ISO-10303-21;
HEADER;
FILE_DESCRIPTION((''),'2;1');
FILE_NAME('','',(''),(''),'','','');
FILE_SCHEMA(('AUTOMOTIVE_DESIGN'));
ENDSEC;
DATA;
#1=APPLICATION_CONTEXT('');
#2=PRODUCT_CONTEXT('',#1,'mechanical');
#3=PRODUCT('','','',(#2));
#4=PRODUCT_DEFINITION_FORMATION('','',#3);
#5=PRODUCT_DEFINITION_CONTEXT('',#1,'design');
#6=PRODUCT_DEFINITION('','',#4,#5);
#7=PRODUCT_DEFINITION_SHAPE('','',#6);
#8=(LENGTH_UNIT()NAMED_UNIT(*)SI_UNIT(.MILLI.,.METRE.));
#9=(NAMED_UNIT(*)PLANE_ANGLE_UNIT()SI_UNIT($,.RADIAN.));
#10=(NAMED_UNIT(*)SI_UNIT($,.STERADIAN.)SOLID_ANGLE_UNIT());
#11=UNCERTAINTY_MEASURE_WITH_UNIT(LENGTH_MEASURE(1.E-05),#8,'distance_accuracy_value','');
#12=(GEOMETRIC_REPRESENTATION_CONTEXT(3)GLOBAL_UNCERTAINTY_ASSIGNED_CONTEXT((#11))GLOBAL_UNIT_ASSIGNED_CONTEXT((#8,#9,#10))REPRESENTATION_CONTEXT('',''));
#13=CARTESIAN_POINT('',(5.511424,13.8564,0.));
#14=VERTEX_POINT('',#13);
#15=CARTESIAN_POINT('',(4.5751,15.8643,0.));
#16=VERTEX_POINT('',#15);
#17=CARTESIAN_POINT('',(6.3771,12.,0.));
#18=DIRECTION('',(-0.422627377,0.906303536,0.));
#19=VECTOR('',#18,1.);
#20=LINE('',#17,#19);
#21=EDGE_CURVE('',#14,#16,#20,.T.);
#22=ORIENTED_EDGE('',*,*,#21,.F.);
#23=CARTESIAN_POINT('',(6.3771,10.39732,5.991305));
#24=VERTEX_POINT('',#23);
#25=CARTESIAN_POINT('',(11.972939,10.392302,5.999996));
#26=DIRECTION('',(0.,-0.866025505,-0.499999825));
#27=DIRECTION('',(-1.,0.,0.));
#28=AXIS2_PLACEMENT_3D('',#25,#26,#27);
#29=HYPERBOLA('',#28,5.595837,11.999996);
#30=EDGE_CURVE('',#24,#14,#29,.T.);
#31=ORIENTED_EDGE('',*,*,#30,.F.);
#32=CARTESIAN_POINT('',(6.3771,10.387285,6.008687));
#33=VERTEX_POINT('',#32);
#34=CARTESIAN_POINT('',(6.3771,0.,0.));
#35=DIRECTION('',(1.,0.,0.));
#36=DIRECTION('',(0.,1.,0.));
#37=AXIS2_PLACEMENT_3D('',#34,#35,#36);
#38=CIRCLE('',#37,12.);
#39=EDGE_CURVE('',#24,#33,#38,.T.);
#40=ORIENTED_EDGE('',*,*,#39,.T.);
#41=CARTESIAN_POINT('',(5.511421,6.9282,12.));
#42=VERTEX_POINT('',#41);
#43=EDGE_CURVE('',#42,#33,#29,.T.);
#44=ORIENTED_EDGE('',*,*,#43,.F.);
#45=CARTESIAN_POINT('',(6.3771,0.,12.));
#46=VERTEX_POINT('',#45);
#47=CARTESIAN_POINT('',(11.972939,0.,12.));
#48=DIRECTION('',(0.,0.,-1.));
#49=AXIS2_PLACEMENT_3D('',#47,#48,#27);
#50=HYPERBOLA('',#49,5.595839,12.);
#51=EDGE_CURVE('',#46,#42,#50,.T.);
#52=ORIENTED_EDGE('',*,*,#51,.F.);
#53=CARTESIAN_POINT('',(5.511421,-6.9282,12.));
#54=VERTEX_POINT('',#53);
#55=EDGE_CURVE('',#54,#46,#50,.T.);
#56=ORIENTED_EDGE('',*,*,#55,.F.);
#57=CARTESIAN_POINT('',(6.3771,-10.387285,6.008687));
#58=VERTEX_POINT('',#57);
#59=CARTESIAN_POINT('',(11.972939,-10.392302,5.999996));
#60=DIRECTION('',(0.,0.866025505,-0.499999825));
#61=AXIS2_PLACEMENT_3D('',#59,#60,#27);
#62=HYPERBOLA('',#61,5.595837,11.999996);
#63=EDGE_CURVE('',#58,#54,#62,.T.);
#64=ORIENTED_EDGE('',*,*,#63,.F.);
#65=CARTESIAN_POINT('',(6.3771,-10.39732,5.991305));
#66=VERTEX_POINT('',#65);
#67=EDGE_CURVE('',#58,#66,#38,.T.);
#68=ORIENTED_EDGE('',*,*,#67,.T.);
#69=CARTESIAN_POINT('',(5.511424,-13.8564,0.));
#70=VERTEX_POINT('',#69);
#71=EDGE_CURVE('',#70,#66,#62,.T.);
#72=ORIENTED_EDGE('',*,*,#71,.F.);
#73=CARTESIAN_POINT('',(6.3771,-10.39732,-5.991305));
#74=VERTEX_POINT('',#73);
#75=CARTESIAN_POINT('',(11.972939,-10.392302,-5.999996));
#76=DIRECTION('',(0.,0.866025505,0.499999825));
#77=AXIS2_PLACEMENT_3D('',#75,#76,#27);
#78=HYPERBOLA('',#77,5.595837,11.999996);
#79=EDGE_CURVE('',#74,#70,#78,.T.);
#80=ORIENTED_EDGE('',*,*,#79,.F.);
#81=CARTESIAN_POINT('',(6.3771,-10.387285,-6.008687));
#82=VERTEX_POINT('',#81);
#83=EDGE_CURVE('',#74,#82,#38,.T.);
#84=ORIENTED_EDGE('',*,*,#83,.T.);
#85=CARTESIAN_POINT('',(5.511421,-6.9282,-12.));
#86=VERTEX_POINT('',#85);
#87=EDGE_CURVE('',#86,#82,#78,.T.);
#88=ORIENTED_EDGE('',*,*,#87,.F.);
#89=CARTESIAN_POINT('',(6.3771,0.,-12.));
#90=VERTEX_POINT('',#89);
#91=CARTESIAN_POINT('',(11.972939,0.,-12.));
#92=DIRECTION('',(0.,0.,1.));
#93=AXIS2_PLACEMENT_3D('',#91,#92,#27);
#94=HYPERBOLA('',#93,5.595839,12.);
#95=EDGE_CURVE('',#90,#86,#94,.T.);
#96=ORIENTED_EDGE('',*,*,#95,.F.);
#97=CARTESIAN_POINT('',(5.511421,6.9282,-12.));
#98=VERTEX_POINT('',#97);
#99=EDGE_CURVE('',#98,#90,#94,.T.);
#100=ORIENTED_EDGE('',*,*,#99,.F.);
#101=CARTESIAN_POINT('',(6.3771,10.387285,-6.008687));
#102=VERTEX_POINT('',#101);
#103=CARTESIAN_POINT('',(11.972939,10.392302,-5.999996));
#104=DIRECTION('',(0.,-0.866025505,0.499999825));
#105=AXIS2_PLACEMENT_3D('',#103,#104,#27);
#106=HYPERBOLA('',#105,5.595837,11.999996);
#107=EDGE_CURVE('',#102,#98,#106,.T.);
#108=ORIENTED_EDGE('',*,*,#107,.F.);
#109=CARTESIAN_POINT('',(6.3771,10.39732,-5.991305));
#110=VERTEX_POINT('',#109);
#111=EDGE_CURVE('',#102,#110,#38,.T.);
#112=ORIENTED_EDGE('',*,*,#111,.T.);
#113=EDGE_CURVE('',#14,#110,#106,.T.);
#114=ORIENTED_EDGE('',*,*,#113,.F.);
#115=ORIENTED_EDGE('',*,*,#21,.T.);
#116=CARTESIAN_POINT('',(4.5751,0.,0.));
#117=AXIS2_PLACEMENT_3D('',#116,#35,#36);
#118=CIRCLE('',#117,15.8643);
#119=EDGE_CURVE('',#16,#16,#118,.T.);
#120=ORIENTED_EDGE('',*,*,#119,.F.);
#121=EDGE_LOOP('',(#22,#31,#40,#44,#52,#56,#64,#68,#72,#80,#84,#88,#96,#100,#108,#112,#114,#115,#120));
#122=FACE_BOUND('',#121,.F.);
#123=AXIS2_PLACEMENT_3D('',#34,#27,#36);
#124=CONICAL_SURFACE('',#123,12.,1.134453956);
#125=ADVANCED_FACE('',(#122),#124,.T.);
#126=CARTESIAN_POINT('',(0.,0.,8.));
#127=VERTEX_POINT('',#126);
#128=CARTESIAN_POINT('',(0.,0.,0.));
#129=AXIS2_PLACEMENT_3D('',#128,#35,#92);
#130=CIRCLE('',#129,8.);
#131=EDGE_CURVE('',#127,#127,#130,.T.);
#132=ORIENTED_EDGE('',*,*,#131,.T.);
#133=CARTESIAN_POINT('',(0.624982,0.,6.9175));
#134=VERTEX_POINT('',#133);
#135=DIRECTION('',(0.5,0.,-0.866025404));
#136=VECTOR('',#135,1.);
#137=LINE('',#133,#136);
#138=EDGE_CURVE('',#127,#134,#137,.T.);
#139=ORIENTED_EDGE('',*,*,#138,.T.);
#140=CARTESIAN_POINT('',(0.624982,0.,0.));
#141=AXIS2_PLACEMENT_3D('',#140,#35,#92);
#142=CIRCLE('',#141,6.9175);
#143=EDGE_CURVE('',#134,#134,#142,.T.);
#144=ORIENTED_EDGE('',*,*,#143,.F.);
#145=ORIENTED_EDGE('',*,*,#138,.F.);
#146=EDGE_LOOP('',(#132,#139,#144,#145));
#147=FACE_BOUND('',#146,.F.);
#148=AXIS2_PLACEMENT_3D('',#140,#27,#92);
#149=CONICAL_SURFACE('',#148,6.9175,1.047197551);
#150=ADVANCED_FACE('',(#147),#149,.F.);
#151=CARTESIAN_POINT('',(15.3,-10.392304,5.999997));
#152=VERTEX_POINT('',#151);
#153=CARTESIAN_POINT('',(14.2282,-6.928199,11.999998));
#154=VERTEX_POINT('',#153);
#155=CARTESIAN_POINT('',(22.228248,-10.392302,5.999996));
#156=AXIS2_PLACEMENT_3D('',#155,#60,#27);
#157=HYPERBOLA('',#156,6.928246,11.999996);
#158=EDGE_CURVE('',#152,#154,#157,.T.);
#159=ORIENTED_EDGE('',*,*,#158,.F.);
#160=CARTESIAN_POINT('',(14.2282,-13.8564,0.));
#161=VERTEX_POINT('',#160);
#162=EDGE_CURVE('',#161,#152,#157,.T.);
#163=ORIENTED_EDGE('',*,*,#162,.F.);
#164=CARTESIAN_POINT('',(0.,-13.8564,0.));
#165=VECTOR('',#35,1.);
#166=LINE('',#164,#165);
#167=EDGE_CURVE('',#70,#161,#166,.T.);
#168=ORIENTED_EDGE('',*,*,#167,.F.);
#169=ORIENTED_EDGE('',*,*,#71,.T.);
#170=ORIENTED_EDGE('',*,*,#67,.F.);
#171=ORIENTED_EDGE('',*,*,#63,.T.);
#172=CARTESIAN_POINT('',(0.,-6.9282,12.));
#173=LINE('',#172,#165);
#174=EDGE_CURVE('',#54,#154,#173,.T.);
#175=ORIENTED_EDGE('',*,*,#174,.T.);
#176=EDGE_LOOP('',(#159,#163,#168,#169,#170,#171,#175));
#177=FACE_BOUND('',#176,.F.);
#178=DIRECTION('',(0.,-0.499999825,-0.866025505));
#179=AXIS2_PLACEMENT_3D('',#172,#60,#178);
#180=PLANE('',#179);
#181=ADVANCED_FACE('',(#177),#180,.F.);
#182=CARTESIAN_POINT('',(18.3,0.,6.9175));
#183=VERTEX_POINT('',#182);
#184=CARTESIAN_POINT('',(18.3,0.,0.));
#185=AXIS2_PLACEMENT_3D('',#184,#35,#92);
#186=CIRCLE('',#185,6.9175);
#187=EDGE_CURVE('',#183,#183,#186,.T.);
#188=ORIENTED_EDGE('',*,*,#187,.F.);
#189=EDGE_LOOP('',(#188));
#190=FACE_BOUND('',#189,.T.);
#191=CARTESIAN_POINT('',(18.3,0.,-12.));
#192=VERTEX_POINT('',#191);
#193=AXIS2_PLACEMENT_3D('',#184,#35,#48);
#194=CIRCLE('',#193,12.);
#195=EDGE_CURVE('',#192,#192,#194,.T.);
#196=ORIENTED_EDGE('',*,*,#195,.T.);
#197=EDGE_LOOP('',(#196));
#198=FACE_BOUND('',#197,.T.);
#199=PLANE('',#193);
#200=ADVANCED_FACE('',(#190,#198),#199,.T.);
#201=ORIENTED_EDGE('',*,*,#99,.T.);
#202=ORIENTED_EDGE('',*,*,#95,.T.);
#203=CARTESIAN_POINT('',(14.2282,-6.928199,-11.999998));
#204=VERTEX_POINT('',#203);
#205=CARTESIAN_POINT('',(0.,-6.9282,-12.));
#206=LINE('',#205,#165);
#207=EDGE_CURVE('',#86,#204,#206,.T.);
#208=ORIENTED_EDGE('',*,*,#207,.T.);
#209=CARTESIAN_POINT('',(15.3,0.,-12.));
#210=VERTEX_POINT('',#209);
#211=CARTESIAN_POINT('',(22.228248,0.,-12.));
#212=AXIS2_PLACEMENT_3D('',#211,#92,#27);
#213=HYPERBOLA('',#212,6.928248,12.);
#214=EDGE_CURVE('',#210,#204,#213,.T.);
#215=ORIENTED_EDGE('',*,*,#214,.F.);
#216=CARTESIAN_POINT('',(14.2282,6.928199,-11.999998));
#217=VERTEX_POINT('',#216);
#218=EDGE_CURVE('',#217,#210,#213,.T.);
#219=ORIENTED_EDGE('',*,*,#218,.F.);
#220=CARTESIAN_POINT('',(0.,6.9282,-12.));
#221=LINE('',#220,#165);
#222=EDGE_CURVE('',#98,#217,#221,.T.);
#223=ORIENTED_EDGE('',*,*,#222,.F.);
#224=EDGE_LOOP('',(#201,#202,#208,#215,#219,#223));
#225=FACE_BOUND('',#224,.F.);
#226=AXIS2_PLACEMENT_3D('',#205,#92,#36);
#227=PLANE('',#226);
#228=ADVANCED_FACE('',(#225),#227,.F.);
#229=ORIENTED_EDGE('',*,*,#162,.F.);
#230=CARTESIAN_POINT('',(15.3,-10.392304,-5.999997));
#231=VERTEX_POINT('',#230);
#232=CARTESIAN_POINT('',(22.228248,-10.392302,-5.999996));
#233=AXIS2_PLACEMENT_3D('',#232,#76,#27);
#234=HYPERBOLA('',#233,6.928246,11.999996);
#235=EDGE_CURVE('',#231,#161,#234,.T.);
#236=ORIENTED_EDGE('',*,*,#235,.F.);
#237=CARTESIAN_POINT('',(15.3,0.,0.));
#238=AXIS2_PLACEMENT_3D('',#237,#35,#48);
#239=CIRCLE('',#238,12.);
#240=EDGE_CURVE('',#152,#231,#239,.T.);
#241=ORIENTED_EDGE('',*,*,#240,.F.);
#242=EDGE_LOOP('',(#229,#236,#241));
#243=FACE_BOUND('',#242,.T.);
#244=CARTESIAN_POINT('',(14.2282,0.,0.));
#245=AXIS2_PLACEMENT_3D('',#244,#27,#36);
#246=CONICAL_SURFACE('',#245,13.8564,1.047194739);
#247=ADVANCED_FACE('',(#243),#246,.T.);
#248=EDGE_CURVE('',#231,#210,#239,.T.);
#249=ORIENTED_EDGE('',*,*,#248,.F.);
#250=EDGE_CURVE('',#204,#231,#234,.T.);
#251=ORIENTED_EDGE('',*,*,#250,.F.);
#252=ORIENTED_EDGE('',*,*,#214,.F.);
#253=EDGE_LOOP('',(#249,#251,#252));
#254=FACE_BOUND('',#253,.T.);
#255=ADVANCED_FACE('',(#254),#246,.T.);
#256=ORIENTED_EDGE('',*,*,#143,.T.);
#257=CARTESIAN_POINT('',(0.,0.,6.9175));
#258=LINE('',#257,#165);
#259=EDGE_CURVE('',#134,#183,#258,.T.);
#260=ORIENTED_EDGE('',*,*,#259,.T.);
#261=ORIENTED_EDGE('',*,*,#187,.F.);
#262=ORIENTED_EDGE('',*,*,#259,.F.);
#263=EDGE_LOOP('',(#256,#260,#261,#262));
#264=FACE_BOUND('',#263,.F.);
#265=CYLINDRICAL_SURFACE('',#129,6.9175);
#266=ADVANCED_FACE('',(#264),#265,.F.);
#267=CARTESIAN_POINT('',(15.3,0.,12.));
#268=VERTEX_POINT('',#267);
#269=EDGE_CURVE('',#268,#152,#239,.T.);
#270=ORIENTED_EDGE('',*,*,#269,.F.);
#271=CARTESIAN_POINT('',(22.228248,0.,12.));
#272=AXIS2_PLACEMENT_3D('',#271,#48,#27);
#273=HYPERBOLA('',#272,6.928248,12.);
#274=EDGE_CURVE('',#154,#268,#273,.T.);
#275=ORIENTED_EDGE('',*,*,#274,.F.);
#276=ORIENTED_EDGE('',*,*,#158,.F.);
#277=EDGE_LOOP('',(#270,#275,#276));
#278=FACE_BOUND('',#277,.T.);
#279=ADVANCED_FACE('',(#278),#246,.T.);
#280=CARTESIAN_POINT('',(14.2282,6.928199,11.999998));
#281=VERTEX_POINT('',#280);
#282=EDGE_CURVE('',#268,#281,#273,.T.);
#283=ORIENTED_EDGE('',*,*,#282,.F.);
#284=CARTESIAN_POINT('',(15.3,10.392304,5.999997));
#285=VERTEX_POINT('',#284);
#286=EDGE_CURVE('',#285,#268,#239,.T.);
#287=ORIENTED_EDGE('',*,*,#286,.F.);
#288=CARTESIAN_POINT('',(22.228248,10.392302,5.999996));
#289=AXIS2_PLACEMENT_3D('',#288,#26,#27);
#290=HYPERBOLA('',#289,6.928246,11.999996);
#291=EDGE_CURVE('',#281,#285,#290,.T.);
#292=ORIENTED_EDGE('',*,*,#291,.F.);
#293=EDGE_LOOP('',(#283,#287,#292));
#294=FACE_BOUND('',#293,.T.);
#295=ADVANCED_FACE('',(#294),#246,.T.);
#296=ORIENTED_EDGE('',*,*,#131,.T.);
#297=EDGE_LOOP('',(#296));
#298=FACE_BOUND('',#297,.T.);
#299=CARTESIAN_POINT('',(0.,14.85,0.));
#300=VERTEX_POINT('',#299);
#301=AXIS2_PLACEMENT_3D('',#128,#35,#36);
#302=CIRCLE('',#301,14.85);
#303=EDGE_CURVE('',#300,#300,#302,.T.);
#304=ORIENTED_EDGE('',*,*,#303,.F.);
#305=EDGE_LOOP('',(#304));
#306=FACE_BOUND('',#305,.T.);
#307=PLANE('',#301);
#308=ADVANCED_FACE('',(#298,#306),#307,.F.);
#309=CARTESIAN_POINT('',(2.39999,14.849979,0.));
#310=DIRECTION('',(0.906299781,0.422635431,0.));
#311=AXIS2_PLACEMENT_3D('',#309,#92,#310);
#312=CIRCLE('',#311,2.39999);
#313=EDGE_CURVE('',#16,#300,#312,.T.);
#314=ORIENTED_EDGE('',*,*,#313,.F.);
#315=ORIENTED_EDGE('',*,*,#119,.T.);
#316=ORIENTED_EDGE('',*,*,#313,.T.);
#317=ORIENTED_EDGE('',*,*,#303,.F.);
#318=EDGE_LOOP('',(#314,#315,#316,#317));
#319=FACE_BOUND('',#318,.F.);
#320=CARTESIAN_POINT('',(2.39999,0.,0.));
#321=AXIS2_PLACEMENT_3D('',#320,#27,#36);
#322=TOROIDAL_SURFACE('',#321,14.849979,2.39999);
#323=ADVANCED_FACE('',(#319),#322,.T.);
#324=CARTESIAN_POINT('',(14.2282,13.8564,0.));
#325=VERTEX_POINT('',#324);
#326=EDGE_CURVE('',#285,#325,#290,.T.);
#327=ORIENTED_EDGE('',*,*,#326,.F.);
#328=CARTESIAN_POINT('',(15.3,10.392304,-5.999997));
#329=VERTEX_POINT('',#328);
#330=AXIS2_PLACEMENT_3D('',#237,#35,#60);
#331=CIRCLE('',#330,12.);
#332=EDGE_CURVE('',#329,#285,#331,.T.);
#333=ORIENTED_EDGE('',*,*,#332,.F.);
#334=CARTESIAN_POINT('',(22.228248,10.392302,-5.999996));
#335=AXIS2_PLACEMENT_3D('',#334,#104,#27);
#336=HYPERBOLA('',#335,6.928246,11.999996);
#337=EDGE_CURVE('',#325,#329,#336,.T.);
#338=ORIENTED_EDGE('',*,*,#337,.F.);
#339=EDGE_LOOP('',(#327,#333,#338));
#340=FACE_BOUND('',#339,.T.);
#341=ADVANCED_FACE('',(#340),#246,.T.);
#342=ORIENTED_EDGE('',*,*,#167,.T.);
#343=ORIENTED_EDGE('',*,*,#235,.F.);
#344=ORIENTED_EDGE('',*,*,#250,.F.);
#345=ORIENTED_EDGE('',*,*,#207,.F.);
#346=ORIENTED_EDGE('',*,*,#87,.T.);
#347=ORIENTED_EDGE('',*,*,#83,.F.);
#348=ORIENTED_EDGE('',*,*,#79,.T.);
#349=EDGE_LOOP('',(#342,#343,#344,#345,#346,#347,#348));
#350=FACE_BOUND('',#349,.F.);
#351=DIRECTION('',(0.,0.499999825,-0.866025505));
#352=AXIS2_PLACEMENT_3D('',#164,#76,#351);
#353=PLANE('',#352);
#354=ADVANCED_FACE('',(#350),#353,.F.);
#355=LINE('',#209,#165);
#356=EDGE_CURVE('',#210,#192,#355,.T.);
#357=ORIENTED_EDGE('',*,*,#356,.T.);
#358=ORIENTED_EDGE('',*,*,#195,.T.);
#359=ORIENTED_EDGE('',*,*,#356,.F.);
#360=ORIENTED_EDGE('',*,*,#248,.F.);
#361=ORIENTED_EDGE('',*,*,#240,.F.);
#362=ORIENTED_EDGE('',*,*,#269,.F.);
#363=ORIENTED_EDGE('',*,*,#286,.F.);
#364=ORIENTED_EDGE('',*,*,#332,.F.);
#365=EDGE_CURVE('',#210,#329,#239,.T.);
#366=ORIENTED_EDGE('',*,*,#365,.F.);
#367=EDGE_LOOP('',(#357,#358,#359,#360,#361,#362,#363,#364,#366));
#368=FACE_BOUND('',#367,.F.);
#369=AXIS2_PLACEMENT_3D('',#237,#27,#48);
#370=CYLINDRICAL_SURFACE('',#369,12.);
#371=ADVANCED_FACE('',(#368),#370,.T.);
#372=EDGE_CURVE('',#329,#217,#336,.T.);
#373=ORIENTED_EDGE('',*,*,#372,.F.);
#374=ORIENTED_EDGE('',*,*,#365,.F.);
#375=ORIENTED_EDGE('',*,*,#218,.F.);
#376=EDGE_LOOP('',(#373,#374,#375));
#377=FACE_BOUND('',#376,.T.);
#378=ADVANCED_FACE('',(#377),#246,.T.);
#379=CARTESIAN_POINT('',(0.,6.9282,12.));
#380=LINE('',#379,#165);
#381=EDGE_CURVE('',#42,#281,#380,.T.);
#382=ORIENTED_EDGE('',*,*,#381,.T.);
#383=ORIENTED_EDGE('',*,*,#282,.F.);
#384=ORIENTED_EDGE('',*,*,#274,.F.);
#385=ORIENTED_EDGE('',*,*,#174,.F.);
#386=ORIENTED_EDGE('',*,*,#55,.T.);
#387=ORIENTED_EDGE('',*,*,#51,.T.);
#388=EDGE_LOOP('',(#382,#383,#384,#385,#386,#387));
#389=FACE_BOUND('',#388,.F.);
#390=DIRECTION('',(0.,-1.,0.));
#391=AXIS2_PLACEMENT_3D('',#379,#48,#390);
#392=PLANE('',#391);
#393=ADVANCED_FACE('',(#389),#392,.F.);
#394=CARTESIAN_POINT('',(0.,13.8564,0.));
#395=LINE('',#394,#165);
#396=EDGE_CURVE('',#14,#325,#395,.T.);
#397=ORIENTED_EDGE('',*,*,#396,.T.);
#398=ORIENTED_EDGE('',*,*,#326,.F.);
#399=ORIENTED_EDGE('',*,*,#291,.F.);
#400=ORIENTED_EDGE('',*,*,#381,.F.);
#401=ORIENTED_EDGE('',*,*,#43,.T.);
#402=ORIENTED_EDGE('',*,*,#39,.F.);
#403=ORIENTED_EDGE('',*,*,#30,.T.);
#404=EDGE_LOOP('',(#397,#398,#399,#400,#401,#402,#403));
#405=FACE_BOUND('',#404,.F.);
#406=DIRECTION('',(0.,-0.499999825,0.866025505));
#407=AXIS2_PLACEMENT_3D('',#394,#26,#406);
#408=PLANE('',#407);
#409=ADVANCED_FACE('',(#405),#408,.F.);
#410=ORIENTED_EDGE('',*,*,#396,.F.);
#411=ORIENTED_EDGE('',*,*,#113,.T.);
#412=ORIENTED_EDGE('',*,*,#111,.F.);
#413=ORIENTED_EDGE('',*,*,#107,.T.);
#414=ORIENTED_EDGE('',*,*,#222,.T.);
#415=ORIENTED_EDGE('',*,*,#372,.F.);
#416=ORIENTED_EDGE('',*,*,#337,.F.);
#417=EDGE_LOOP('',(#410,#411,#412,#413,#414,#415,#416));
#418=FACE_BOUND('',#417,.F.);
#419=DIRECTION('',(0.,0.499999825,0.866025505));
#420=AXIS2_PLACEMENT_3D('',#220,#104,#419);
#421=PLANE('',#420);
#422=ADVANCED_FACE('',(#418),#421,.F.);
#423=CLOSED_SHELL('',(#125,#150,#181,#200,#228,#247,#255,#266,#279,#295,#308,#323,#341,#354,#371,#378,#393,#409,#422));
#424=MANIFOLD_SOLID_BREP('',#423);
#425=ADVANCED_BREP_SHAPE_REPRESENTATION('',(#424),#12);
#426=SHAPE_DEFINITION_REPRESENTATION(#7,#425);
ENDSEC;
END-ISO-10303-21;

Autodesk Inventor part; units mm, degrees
ref_plane "YZ Plane" through (0, 0, 0) normal (1, 0, 0) x (0, 1, 0)
ref_plane "XZ Plane" through (0, 0, 0) normal (0, 1, 0) x (-1, 0, 0)
sketch "Schizzo1" plane through (0, 0, 0) normal (0, 0, 1) x (1, 0, 0)
  line L0 (-4.1484, 0) -> (22.0414, 0) projected
  line L1 (6.3771, 12) -> (4.5751, 15.8643)
  line L2 (6.3771, 12) -> (18.3, 12) construction
  line L3 (18.3, 12) -> (18.3, 0) construction
  arc A0 (4.5751, 15.8643) -> (0, 14.85) centre (2.4, 14.85) ccw
  line L4 (6.3771, 12) -> (6.3771, 0)
  line L5 (0, -3.5401) -> (0, 21.2403) projected
  point P0 (0, 0)
  dimension "d1" = 24
  dimension "d3" = 34.5
  dimension "d4" = 2.4
  dimension "d16" = 18.3
  dimension "d17" = 25
revolve "Anello" add sketch "Schizzo1" angle 360 about axis through (-10, 0, 0) along (1, 0, 0)
sketch "Schizzo2" plane through (0, 0, 0) normal (-1, 0, 0) x (0, 0, 1)
  circle A0 centre (0, 0) radius 4.9
  line L0 (-12, -6.9282) -> (-12, 6.9282)
  line L1 (-12, 6.9282) -> (0, 13.8564)
  line L2 (0, 13.8564) -> (12, 6.9282)
  line L3 (12, 6.9282) -> (12, -6.9282)
  line L4 (12, -6.9282) -> (0, -13.8564)
  line L5 (0, -13.8564) -> (-12, -6.9282)
  circle A1 centre (0, 0) radius 14.85 projected
  dimension "d5" = 27.7128
extrude "Corpo" add sketch "Schizzo2" against normal blind 15.3 contours A0 | L0 L1 L2 L3 L4 L5
sketch "Schizzo3" plane through (15.3, 0, 0) normal (1, 0, 0) x (0, 0, -1)
  circle A0 centre (0, 0) radius 12
  dimension "d19" = 24
extrude "Corona" add sketch "Schizzo3" along normal blind 3
sketch "Schizzo4" plane through (0, 0, 0) normal (-1, 0, 0) x (0, 0, 1)
  circle A0 centre (0, 0) radius 4.9
  circle A1 centre (0, 0) radius 14.85 projected
hole "Filettatura" at (0, 0, 0) direction (1, 0, 0) diameter 13.835 end through all thread size "M16x2" class "6H" standard "ISO Metric profile"
sketch "Schizzo5" plane through (0, 0, 0) normal (0, 0, 1) x (1, 0, 0)
  line L0 (5.5114, 13.8564) -> (15.3, 13.8564) projected
  line L1 (15.3, 6.9282) -> (15.3, 13.8564) projected
  line L2 (0, -14.85) -> (0, 14.85) projected
  line L3 (-3.06, 0) -> (18.36, 0) projected
  line L4 (14.2282, 13.8564) -> (15.3, 12)
  dimension "d9" = 30
  dimension "d10" = 24
revolve "Smusso1" cut sketch "Schizzo5" angle 360 about axis through (-10, 0, 0) along (1, 0, 0)
chamfer "Smusso2" distance 1.0825 angle 30 1 edges at (0, 0, -6.9175) measured on face at (0, 12.0452, -1.4626)
ref_plane "Work Plane1" through (52.1094, 0, 0) normal (0, 0, -1) x (-1, 0, 0)
equation "\"d1\" = SW"
equation "\"d3\" = LADI"
equation "\"d4\" = PHH"
equation "\"d16\" = KOH"
equation "\"d17\" = KEWI"
equation "\"d5\" = 1.1547 * SW"
equation "\"d6\" = KOH1"
equation "\"d19\" = SD2"
equation "\"d11\" = KOH - KOH1"
equation "\"d9\" = ANG1"
equation "\"d10\" = SW0"
equation "\"d13\" = -0.5 * GD1 + 0.5 * NND"
equation "\"d57\" = -0.5 * GD1 + 0.5 * NND"
equation "\"ANG1\" = 30deg"
equation "\"KEWI\" = 25deg"
equation "\"NND\" = 16"
equation "\"LADI\" = 34.5"
equation "\"SW\" = 24"
equation "\"PHH\" = 2.4"
equation "\"KOH\" = 18.3"
equation "\"SW0\" = SW"
equation "\"d0\" = LADI"
equation "\"d2\" = PHH"
equation "\"KOH1\" = 15.3"
equation "\"SD2\" = SW"
equation "\"GUL\" = 0.541266 * PTC"
equation "\"RR\" = PHH"
equation "\"THREADDIA\" = 16"
equation "\"TOA\" = 30deg"
equation "\"PTC\" = 2"
equation "\"GAL\" = 0.541266 * PTC"
equation "\"E0\" = 1.155 * SW"
equation "\"PG\" = 1.2345"
equation "\"Mw\" = 8.9"
equation "\"r\" = 1"
equation "\"GD1\" = 13.834936"
properties part number "ISO 7044 - M16" material "Acciaio"
